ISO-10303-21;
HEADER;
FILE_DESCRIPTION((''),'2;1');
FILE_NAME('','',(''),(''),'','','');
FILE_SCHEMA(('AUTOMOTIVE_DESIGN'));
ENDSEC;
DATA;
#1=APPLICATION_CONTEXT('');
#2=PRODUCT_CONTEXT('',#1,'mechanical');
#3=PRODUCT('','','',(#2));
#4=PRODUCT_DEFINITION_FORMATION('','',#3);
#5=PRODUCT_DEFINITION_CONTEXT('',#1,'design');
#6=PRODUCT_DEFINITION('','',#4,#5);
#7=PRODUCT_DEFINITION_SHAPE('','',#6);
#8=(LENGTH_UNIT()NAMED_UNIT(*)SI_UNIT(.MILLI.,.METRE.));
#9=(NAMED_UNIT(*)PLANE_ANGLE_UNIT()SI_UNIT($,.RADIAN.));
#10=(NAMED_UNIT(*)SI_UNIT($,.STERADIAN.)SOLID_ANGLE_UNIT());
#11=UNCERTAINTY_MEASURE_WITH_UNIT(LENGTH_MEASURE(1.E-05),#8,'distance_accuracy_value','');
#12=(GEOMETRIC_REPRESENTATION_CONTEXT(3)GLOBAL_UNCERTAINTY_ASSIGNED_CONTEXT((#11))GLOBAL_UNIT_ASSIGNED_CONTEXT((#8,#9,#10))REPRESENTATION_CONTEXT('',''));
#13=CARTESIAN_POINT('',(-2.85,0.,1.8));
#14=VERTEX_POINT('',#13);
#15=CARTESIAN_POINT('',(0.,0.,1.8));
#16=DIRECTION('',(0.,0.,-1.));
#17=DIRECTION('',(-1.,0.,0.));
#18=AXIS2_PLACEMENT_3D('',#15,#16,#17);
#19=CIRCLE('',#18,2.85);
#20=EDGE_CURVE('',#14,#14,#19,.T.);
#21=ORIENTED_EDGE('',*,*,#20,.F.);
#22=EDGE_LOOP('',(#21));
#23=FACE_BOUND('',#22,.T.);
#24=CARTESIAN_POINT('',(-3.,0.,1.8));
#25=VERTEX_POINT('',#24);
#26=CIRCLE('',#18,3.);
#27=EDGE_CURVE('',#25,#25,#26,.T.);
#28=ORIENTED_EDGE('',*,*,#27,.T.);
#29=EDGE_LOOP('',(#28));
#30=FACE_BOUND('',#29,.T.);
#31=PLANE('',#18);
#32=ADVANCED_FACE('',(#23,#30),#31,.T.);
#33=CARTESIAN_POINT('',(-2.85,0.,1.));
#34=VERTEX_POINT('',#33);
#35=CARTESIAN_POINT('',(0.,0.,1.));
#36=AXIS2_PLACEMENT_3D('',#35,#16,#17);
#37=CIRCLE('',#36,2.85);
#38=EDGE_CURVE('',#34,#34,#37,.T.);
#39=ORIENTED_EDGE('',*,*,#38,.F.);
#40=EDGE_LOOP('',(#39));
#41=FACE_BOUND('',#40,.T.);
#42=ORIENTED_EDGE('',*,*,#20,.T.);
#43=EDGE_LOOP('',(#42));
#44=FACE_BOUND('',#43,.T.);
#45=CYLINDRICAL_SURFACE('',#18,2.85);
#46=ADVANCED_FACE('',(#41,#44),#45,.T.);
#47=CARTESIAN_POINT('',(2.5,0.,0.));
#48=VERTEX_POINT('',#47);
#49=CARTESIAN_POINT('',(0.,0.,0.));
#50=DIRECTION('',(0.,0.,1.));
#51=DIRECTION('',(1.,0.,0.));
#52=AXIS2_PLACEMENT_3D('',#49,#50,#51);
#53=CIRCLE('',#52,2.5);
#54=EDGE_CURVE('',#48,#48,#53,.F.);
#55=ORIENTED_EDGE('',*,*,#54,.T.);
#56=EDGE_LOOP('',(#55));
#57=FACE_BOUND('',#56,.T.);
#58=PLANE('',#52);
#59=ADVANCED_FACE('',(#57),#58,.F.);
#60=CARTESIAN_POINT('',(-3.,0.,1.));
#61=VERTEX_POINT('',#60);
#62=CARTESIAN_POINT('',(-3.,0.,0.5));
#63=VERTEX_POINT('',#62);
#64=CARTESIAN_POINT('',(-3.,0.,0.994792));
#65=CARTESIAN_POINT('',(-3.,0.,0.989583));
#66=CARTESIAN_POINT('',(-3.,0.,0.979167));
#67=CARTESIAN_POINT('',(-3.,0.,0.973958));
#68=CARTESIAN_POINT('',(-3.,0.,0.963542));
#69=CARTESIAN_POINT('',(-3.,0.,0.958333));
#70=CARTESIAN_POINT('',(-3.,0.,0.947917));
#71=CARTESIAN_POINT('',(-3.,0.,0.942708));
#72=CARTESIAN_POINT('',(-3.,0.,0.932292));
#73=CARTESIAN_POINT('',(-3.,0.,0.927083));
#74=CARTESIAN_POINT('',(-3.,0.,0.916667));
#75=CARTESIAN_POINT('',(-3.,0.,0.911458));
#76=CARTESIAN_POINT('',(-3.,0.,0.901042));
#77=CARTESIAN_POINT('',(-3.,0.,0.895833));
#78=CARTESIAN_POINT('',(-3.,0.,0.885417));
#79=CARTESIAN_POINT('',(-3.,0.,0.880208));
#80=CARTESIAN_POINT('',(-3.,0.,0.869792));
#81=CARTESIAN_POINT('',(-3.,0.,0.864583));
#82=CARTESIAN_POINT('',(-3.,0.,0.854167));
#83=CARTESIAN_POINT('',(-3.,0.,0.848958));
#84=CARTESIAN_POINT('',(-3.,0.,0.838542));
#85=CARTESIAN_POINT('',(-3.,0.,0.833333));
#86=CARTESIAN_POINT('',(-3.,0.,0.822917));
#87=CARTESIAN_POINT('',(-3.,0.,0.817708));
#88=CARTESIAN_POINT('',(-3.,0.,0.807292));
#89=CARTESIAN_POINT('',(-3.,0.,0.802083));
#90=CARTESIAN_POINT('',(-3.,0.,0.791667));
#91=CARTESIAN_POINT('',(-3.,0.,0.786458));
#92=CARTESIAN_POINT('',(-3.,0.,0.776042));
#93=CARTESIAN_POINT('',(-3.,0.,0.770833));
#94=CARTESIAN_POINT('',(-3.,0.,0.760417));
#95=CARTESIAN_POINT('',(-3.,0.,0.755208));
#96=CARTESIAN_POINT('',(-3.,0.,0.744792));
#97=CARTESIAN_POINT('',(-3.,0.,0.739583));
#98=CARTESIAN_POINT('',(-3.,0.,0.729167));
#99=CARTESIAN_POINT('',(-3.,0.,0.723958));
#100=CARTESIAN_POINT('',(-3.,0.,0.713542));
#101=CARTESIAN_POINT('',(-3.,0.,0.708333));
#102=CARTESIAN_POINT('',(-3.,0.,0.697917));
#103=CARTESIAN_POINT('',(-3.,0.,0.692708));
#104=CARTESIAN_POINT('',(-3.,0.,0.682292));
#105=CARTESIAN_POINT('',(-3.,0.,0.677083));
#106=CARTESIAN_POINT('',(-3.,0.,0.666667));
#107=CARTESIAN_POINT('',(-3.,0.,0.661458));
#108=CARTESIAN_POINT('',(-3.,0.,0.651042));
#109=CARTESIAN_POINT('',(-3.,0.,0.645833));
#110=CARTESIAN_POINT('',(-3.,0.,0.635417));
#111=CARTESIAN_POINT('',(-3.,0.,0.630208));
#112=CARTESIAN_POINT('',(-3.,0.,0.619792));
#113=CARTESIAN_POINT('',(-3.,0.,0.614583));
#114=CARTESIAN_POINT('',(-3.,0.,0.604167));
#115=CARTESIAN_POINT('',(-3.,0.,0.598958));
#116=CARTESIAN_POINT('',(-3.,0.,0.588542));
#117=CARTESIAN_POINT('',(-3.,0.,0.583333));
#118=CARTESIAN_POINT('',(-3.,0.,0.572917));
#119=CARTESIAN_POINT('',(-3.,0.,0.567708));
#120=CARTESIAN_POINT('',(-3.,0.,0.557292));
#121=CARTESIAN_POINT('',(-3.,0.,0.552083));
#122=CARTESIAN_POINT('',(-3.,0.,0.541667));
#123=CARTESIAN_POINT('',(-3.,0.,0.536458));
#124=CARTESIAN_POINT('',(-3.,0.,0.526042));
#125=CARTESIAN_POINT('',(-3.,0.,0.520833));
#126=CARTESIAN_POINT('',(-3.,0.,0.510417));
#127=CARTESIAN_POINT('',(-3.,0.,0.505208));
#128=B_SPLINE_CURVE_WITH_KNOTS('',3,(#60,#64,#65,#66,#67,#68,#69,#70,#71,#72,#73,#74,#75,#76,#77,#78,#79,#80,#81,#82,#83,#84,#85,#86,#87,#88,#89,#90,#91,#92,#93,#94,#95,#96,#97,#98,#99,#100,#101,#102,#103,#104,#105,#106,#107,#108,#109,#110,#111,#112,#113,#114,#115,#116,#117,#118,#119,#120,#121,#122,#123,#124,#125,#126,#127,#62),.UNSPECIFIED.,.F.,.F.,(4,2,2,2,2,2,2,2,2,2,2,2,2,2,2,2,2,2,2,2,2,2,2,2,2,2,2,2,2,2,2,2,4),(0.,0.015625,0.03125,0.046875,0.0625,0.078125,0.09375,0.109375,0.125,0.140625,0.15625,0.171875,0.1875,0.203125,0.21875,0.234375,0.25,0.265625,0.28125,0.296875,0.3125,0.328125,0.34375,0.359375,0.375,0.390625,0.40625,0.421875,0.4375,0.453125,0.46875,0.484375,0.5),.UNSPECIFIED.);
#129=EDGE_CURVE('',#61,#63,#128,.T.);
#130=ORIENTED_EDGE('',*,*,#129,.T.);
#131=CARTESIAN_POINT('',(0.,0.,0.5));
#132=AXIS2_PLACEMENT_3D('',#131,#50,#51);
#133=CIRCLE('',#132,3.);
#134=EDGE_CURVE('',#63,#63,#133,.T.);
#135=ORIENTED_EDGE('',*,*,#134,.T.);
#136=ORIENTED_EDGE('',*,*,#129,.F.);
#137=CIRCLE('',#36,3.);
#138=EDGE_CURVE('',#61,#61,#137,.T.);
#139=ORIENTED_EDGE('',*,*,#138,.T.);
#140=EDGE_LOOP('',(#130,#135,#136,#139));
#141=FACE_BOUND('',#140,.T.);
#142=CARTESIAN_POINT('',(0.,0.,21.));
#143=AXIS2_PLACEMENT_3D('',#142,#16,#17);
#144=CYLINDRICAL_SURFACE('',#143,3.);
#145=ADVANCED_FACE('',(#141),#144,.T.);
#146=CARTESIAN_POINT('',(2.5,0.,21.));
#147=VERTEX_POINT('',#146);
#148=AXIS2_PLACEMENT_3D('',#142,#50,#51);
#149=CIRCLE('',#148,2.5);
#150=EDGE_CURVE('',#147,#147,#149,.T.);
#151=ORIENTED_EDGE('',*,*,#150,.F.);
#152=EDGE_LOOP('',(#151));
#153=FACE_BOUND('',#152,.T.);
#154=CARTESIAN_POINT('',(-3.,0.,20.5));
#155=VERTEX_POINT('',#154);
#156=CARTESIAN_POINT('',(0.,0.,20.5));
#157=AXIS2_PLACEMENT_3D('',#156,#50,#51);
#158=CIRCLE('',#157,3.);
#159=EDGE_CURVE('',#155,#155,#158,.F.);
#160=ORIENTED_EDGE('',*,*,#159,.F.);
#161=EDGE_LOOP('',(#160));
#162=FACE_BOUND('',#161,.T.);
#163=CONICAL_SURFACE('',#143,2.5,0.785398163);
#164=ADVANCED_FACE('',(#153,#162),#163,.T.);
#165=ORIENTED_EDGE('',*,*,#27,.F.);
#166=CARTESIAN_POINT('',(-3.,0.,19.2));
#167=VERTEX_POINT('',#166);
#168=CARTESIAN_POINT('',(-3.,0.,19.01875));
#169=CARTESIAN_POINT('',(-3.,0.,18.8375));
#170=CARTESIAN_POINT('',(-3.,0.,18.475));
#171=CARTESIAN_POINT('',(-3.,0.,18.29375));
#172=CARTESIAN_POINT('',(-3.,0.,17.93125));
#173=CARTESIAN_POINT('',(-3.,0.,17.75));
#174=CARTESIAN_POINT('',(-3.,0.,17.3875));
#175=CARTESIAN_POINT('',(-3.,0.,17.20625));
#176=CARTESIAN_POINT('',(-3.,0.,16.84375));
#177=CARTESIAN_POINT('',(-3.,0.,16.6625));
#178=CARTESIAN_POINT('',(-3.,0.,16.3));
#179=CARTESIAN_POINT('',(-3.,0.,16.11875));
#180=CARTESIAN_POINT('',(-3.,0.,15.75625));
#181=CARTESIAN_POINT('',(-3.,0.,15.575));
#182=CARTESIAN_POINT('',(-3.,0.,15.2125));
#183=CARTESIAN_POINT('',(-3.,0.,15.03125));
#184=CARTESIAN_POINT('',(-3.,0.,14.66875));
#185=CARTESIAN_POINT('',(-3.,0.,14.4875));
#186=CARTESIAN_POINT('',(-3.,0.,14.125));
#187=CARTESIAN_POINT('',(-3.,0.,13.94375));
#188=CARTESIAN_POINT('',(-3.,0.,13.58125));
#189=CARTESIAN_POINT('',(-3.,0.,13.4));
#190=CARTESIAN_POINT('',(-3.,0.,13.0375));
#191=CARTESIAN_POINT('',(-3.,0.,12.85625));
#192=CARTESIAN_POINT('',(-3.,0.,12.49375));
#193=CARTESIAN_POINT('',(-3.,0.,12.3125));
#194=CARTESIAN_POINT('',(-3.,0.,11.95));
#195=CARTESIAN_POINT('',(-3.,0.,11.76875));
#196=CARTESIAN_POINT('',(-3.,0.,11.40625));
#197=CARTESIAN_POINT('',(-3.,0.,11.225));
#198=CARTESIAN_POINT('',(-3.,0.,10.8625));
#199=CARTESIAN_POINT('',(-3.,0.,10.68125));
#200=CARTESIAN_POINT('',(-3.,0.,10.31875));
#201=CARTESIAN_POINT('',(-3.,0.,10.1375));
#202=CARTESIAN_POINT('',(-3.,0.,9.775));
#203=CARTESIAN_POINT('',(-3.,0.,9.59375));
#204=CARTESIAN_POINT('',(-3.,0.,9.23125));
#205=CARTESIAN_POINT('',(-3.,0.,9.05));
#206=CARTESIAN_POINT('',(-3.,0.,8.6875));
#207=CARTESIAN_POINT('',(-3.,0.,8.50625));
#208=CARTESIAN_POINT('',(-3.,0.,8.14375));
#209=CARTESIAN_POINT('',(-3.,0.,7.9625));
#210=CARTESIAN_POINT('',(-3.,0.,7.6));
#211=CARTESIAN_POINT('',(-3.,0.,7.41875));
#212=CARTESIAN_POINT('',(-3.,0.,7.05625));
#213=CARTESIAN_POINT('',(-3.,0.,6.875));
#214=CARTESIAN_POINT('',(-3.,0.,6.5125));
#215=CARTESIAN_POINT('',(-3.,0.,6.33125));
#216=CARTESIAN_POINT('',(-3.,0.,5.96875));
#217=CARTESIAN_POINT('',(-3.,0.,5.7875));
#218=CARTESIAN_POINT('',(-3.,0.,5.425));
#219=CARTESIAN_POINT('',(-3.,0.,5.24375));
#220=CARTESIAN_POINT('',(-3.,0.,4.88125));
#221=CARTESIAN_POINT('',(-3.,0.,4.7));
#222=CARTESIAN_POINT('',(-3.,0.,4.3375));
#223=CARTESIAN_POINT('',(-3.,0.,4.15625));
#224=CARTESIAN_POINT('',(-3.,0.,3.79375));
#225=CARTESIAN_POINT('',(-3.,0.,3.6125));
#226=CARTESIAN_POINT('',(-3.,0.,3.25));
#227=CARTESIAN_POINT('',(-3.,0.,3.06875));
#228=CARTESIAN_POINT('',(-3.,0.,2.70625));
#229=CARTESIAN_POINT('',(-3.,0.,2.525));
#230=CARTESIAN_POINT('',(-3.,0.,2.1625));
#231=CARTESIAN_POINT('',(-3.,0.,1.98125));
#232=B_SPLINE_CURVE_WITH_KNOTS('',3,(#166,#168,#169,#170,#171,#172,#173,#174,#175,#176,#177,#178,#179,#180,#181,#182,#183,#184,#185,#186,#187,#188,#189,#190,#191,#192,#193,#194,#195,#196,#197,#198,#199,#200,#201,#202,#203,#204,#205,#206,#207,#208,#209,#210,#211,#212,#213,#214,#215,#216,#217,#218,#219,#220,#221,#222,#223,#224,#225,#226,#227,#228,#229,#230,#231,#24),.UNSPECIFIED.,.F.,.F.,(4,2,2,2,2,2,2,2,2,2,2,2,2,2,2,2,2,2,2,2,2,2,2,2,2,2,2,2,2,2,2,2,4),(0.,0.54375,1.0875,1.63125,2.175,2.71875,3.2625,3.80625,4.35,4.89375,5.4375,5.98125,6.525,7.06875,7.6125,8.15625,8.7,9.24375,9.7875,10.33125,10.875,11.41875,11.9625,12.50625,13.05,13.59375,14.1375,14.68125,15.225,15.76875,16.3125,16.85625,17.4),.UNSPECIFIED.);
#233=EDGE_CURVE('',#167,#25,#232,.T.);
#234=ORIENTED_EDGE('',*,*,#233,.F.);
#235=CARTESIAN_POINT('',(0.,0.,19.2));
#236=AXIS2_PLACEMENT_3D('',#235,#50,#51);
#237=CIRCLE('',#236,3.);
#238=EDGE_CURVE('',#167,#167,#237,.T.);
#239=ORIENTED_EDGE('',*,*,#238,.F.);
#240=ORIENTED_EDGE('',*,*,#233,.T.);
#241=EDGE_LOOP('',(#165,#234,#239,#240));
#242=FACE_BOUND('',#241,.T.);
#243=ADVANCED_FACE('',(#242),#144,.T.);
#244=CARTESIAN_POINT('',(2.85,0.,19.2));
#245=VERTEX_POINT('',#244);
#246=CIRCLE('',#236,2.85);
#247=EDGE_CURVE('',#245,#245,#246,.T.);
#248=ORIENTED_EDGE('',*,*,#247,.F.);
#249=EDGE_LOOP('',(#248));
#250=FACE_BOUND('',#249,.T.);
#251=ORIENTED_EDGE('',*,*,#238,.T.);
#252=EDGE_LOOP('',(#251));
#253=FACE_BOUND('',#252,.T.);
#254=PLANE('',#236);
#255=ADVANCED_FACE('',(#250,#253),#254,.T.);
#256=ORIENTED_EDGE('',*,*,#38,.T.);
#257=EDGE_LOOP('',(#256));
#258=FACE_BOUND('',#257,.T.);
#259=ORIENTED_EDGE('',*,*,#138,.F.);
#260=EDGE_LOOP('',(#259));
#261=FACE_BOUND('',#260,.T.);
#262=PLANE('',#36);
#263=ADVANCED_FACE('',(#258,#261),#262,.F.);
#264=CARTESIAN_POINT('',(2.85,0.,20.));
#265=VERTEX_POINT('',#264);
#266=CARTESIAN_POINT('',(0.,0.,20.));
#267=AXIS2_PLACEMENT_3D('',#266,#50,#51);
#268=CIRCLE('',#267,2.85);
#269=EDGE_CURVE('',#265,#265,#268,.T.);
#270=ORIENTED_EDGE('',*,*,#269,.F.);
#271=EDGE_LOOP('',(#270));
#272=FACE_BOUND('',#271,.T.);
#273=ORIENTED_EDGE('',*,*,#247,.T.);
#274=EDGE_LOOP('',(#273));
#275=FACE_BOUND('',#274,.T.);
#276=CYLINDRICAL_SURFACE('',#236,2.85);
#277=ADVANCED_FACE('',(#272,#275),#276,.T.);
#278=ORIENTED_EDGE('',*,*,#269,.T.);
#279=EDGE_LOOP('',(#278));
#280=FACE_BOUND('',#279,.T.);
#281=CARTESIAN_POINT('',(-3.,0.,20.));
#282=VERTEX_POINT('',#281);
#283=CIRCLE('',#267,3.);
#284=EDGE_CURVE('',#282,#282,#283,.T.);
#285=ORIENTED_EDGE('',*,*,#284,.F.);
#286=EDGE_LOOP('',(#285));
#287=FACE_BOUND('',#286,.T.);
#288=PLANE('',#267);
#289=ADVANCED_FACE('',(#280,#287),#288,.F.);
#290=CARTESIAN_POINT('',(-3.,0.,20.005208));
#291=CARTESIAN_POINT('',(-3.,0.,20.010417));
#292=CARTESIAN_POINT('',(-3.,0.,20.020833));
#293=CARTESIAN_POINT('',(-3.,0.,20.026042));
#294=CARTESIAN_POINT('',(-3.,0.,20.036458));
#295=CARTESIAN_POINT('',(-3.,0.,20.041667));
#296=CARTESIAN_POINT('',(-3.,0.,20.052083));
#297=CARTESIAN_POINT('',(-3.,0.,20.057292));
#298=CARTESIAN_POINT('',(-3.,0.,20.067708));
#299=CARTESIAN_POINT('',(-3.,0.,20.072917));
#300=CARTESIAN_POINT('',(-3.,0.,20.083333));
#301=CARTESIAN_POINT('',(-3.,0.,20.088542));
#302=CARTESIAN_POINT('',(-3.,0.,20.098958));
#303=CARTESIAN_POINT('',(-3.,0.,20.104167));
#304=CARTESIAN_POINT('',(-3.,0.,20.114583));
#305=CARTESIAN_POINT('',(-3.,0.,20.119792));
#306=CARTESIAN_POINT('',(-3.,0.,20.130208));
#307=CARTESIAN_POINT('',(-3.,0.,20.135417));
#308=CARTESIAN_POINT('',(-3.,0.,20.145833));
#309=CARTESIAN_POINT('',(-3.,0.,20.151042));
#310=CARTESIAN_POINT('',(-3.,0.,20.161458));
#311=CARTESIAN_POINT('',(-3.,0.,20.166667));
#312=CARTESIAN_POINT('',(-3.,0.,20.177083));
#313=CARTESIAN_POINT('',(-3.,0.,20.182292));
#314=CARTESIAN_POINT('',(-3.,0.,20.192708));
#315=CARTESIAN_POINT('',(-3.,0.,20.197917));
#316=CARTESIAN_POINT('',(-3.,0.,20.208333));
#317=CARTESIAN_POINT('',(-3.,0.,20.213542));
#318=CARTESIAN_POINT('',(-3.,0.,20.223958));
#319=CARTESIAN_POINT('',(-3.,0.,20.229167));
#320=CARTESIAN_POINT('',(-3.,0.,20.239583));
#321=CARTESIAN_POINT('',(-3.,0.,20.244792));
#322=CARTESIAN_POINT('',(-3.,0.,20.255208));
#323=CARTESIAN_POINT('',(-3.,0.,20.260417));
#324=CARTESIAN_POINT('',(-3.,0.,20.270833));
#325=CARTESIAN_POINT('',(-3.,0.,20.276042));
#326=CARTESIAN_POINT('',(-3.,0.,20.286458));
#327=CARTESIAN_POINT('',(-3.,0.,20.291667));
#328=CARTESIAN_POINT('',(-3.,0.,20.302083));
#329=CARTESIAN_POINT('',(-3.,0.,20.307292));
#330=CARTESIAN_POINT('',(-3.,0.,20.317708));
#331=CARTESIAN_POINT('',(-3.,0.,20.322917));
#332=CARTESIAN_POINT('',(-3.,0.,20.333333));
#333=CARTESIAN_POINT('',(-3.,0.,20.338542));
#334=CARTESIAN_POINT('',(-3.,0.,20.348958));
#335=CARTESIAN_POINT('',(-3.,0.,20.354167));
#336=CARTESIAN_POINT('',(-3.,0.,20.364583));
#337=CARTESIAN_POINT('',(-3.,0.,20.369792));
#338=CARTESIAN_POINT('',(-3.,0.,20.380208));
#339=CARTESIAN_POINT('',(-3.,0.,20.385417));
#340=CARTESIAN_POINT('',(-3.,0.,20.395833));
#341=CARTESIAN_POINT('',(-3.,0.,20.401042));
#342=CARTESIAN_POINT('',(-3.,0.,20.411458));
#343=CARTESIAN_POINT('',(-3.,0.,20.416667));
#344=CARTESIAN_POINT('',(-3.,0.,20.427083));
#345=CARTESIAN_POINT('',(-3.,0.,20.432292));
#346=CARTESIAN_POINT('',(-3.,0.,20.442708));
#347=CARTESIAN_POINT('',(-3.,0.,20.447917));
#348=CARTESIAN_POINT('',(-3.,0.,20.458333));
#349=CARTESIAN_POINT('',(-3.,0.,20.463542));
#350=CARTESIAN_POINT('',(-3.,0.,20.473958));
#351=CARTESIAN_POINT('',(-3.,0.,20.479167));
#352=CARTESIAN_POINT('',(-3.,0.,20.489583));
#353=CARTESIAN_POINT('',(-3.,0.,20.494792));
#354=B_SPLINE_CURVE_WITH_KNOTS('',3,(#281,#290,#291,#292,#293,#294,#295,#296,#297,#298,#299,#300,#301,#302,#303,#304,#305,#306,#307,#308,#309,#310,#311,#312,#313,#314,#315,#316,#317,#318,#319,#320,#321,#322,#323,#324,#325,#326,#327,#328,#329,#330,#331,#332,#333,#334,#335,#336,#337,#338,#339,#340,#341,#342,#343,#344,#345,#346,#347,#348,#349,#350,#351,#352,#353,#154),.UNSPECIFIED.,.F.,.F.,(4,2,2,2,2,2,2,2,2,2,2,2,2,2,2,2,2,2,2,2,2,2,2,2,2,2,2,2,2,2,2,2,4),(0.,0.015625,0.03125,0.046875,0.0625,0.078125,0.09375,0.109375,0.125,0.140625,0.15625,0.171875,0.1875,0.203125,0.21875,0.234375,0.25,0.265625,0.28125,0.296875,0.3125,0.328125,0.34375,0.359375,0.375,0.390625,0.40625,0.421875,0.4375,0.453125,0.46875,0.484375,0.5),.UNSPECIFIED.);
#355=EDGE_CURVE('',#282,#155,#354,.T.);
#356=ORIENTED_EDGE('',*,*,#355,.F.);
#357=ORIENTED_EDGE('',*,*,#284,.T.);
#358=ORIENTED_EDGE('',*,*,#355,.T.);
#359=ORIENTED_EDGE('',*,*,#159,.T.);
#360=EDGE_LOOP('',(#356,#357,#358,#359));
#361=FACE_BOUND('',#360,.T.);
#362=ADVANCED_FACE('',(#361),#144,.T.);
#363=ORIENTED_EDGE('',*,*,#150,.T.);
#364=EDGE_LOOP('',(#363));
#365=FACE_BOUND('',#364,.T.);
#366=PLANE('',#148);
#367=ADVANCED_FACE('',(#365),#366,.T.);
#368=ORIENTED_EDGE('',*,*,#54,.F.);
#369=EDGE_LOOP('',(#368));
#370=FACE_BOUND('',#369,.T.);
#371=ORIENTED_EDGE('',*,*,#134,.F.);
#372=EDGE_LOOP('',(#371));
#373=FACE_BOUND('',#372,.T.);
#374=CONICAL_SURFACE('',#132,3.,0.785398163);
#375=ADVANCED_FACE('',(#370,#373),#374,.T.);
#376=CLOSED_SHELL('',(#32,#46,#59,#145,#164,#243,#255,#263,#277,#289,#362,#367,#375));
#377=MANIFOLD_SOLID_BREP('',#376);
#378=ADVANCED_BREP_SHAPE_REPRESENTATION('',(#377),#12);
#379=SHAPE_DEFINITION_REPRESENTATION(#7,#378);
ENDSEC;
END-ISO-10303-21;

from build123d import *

# Parameters (mm, degrees)
SZKIC1_R                    = 3
DODANIE_WYCI_GNI_CIE1_DEPTH = 21
SFAZOWANIE1_SIZE            = 0.5
WYTNIJ_WYCI_GNI_CIE1_START  = -1.8
SZKIC2_R                    = 3
SZKIC2_R_2                  = 2.85
WYTNIJ_WYCI_GNI_CIE1_DEPTH  = 0.8
WYTNIJ_WYCI_GNI_CIE2_START  = -1
SZKIC3_R                    = 3
SZKIC3_R_2                  = 2.85
WYTNIJ_WYCI_GNI_CIE2_DEPTH  = 0.8


with BuildPart() as part:
    # Szkic1 → Dodanie-wyciągnięcie1 (new body)
    with BuildSketch(Plane.XY):
        with Locations(Location((0, 0, 0), (0, 0, 180))):
            Circle(SZKIC1_R)
    extrude(amount=DODANIE_WYCI_GNI_CIE1_DEPTH)

    # Sfazowanie1
    sfazowanie1_edges = [part.edges().sort_by_distance(p)[0] for p in [
        (3, 0, 0),
        (3, 0, 21),
    ]]
    chamfer(sfazowanie1_edges, length=SFAZOWANIE1_SIZE)

    # Szkic2 → Wytnij-wyciągnięcie1 (cut)
    with BuildSketch(Plane.XY.offset(21).offset(WYTNIJ_WYCI_GNI_CIE1_START)):
        with Locations(Location((0, 0, 0), (0, 0, 180))):
            Circle(SZKIC2_R)
        Circle(SZKIC2_R_2, mode=Mode.SUBTRACT)
    extrude(amount=WYTNIJ_WYCI_GNI_CIE1_DEPTH, mode=Mode.SUBTRACT)

    # Szkic3 → Wytnij-wyciągnięcie2 (cut)
    with BuildSketch(Plane(origin=(0, 0, 0), x_dir=(-1, 0, 0), z_dir=(0, 0, -1)).offset(WYTNIJ_WYCI_GNI_CIE2_START)):
        Circle(SZKIC3_R)
        with Locations(Location((0, 0, 0), (0, 0, 180))):
            Circle(SZKIC3_R_2, mode=Mode.SUBTRACT)
    extrude(amount=-WYTNIJ_WYCI_GNI_CIE2_DEPTH, mode=Mode.SUBTRACT)


solid = part.part
